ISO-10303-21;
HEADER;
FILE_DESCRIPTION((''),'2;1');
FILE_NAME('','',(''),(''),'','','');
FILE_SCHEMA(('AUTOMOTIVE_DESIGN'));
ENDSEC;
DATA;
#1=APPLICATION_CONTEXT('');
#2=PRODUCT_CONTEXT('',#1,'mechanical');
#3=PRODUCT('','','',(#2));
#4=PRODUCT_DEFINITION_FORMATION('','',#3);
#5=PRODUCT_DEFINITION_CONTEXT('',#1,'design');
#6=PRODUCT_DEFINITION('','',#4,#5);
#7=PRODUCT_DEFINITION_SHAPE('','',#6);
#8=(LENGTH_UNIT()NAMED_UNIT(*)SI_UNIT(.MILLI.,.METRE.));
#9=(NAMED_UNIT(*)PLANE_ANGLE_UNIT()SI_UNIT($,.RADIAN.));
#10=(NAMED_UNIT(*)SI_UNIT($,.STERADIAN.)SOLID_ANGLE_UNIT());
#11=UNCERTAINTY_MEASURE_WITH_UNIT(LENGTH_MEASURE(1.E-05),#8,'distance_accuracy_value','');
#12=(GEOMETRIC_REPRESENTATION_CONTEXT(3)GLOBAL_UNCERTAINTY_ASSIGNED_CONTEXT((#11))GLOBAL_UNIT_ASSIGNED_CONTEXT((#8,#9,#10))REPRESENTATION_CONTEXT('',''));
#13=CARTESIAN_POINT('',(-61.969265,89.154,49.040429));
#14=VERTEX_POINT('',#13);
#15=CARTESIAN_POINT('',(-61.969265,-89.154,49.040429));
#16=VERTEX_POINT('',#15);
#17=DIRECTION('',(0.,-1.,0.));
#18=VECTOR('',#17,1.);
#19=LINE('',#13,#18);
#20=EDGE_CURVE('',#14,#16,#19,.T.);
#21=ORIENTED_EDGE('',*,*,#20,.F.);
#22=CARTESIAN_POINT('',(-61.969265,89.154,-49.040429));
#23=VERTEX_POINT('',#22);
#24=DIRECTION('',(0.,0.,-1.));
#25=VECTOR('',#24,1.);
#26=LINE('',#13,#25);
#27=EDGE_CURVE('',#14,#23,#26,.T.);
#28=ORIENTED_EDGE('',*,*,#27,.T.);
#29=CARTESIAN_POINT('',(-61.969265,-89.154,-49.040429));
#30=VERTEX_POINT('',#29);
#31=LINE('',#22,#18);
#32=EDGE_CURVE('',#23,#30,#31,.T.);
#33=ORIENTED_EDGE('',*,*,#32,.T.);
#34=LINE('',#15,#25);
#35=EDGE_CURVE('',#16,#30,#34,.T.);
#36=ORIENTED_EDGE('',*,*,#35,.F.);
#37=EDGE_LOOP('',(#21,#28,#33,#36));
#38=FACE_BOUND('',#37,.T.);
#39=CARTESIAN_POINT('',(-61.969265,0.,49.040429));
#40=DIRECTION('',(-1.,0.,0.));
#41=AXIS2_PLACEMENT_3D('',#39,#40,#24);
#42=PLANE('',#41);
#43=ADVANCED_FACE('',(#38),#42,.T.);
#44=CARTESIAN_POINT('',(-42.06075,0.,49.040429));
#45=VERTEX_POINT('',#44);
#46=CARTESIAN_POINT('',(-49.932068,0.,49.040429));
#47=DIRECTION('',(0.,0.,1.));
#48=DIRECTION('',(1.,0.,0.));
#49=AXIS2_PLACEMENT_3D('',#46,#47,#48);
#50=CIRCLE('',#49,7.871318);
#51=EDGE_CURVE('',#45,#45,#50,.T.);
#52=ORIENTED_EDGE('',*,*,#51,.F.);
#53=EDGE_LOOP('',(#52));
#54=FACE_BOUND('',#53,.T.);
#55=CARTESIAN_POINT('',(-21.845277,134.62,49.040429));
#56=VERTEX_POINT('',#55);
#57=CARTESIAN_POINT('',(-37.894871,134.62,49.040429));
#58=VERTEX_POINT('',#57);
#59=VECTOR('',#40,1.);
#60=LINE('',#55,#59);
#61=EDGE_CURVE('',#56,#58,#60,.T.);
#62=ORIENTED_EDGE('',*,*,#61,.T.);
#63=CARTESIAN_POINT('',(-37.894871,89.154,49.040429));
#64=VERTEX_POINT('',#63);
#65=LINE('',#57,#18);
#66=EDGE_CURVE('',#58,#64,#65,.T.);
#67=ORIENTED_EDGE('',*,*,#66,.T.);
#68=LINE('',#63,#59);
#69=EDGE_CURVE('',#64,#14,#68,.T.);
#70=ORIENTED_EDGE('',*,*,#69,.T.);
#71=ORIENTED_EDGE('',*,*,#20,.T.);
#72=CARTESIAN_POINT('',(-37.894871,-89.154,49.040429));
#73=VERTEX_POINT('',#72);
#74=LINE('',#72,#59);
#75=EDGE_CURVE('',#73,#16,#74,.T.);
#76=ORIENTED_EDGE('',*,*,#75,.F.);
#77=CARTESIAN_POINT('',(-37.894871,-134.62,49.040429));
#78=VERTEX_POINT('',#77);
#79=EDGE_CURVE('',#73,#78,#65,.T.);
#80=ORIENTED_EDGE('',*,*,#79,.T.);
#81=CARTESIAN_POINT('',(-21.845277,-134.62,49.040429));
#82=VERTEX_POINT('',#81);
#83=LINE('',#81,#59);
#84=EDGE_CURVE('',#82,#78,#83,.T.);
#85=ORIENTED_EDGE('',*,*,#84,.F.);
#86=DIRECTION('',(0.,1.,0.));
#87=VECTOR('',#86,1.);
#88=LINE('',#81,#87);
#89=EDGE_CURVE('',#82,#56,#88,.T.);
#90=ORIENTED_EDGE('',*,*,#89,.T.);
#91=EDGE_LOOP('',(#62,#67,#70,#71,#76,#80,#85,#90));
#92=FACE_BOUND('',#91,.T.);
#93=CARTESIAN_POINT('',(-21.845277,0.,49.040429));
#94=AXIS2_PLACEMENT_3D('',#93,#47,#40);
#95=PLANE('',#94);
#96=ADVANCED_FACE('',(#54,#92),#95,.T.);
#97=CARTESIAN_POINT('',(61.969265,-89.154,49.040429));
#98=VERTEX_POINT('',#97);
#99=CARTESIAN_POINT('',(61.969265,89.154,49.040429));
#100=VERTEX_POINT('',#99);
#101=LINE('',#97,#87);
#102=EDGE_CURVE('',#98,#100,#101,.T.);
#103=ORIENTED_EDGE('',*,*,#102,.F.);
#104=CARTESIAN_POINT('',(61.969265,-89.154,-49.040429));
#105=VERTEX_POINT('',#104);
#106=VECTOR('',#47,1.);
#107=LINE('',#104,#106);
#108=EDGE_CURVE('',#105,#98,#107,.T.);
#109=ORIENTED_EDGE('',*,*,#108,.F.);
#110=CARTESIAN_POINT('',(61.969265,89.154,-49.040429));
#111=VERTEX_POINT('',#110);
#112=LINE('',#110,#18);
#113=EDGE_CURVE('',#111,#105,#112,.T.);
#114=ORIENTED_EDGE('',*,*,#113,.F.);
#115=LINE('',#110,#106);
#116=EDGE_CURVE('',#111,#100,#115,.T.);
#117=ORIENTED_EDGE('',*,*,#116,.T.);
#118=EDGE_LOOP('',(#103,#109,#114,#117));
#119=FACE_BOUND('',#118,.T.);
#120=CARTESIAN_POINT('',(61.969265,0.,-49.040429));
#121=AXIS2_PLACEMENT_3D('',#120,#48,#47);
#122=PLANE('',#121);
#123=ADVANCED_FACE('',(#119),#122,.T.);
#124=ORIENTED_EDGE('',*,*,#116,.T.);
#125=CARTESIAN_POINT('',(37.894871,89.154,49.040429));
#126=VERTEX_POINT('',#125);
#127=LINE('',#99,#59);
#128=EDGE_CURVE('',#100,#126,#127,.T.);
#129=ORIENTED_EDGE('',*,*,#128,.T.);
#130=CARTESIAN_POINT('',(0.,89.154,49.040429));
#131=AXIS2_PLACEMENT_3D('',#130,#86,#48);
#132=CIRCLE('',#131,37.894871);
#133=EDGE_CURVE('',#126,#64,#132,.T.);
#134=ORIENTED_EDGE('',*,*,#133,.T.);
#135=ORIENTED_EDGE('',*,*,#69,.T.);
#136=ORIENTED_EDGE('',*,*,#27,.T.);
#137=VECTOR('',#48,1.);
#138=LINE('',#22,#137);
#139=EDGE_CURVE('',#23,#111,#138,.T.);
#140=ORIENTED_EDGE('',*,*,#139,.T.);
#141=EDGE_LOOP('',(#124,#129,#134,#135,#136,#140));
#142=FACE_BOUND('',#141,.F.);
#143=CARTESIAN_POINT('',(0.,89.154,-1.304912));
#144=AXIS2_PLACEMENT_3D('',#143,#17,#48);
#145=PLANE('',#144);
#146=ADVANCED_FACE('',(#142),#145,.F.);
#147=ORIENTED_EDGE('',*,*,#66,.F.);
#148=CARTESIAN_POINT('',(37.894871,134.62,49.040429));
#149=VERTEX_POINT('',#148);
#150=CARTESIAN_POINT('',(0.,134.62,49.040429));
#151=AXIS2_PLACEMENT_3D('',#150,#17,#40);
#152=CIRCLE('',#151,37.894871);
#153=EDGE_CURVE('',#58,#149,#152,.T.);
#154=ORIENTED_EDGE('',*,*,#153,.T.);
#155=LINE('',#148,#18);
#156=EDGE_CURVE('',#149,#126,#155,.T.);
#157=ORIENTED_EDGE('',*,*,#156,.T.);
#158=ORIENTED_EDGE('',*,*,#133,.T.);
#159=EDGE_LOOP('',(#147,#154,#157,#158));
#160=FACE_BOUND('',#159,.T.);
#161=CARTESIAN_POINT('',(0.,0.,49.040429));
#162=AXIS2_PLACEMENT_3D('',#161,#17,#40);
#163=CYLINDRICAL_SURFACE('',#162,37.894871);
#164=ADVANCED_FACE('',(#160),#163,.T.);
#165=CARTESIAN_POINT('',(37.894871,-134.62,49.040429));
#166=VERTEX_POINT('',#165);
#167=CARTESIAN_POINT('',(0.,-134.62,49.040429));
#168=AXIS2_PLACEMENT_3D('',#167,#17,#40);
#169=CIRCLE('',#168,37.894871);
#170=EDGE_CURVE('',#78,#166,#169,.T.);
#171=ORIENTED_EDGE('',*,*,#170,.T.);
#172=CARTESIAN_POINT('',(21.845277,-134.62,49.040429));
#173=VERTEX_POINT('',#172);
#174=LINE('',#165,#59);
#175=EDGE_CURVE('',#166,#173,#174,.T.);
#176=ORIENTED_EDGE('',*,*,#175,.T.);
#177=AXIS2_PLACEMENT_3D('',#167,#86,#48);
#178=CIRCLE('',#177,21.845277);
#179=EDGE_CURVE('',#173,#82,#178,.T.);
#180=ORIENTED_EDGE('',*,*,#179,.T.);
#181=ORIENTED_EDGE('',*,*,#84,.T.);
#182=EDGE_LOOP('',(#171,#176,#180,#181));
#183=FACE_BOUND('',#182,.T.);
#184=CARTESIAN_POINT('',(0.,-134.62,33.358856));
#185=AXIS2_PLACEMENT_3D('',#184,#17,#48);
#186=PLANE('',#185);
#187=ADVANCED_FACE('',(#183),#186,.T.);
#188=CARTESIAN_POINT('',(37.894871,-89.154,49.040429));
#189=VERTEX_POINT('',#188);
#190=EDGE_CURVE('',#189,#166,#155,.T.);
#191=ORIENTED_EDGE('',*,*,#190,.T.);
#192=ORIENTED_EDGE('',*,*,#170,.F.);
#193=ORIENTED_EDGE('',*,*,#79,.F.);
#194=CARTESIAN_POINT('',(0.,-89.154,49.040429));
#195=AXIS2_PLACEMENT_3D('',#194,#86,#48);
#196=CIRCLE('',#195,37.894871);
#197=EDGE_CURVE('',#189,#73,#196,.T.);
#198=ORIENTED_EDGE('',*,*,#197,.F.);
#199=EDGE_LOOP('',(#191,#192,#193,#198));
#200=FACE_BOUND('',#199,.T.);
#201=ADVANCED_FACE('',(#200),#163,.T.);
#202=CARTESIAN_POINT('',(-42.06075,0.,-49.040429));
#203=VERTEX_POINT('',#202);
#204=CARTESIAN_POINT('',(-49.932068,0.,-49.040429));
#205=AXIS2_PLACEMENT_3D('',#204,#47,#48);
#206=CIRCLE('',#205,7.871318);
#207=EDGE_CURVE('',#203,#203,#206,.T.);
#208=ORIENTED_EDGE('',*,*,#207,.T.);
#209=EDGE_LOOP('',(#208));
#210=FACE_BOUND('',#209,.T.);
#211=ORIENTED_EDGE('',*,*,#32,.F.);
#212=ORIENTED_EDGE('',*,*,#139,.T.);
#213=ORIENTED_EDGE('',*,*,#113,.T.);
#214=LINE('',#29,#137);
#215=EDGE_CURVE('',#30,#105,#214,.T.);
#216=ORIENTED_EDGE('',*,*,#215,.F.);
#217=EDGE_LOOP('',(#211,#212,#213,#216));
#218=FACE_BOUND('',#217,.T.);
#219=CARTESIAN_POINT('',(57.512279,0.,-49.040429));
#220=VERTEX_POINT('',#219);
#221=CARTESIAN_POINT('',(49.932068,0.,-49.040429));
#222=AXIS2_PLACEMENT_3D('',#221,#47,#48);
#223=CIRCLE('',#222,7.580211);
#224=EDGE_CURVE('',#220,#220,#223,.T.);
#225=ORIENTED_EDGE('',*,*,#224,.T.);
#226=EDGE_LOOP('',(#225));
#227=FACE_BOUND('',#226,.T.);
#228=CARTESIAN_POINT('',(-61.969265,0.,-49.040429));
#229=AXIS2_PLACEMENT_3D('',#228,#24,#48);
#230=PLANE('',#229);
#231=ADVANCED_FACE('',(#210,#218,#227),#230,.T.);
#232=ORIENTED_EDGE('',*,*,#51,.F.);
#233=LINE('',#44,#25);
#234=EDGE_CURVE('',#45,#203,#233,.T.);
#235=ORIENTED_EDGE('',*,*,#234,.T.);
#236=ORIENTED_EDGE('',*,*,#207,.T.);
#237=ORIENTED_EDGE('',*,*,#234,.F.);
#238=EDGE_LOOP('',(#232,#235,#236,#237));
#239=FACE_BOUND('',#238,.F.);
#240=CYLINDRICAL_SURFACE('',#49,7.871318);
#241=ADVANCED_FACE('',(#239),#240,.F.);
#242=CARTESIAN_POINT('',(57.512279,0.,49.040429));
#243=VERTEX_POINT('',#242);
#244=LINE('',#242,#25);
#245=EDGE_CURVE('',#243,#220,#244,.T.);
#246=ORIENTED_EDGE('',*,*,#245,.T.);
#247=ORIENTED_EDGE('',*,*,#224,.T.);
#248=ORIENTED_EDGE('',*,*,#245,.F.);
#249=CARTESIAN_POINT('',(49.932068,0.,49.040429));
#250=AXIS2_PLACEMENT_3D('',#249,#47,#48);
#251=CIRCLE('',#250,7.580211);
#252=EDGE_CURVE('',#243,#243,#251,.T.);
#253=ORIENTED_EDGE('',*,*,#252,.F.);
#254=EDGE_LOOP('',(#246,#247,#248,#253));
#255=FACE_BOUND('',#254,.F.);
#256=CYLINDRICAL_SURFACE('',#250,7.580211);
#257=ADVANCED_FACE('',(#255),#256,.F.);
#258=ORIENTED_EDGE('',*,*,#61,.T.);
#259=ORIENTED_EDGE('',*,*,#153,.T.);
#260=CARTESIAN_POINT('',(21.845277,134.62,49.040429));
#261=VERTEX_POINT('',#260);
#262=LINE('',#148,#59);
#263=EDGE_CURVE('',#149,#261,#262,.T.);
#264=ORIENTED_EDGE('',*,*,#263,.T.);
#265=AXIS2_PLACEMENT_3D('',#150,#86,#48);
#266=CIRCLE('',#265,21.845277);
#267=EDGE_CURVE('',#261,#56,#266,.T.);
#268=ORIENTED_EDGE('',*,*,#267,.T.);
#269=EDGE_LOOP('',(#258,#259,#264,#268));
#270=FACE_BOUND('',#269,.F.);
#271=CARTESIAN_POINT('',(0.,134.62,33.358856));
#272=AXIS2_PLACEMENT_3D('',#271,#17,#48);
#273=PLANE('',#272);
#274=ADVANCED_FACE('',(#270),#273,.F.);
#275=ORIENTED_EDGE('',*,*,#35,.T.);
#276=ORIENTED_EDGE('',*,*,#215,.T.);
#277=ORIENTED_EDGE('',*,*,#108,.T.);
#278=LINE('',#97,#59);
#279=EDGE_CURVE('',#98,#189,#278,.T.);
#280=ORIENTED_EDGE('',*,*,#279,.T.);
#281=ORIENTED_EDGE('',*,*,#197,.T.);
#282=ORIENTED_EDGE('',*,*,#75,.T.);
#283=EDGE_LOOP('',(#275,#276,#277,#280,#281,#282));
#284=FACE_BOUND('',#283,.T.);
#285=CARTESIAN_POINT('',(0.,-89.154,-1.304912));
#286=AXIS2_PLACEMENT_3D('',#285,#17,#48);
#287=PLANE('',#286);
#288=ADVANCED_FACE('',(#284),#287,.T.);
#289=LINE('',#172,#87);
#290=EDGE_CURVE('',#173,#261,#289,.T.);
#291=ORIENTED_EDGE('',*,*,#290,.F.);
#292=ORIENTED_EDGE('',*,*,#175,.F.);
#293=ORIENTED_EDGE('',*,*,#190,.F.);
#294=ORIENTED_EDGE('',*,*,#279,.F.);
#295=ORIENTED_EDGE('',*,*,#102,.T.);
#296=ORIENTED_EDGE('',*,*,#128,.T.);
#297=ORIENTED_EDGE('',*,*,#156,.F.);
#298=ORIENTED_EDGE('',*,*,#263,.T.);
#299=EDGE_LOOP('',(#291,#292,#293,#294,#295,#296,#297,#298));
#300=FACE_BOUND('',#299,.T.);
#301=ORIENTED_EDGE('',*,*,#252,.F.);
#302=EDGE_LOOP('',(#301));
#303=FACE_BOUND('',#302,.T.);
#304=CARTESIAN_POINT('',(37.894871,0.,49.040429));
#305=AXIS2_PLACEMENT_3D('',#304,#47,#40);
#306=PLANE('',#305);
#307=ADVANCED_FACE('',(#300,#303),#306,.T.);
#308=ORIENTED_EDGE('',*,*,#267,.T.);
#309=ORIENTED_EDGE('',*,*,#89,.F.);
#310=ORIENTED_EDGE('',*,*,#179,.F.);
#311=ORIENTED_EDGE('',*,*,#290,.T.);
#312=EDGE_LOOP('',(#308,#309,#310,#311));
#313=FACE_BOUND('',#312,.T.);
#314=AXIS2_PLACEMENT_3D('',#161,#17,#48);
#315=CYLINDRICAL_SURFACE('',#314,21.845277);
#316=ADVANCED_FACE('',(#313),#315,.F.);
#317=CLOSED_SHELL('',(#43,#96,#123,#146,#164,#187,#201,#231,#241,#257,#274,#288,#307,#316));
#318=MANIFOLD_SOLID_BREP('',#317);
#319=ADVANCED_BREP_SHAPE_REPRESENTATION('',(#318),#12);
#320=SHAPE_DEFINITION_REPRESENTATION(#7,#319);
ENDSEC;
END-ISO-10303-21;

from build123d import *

# Parameters (mm, degrees)
F1_DEPTH = 134.62
F2_DEPTH = 89.154
F3_R     = 7.871318
F5_DEPTH = 98.0821
F4_R     = 7.580211
F6_DEPTH = 98.0821


with BuildPart() as f1:
    # F0 (on Front) → F1 (new body, symmetric)
    with BuildSketch(Plane.XZ):
        with BuildLine():
            Line((-21.845277, 49.040429), (-37.894871, 49.040429))
            ThreePointArc((-37.894871, 49.040429), (0, 11.145558), (37.894871, 49.040429))
            Line((37.894871, 49.040429), (21.845277, 49.040429))
            ThreePointArc((21.845277, 49.040429), (0, 27.195152), (-21.845277, 49.040429))
        make_face()
    extrude(amount=F1_DEPTH, both=True)

    # F0 (on Front) → F2 (join, symmetric)
    with BuildSketch(Plane.XZ):
        with BuildLine():
            Line((-37.894871, 49.040429), (-61.969265, 49.040429))
            Line((-61.969265, 49.040429), (-61.969265, -49.040429))
            Line((-61.969265, -49.040429), (61.969265, -49.040429))
            Line((61.969265, -49.040429), (61.969265, 49.040429))
            Line((61.969265, 49.040429), (37.894871, 49.040429))
            ThreePointArc((37.894871, 49.040429), (0, 11.145558), (-37.894871, 49.040429))
        make_face()
    extrude(amount=F2_DEPTH, both=True)

    # F3 (on face) → F5 (cut)
    with BuildSketch(Plane.XY.offset(49.040429)):
        with Locations((-49.932068, 0)):
            Circle(F3_R)
    extrude(amount=-F5_DEPTH, mode=Mode.SUBTRACT)

    # F4 (on face) → F6 (cut)
    with BuildSketch(Plane.XY.offset(49.040429)):
        with Locations((49.932068, 0)):
            Circle(F4_R)
    extrude(amount=-F6_DEPTH, mode=Mode.SUBTRACT)


solid = f1.part
